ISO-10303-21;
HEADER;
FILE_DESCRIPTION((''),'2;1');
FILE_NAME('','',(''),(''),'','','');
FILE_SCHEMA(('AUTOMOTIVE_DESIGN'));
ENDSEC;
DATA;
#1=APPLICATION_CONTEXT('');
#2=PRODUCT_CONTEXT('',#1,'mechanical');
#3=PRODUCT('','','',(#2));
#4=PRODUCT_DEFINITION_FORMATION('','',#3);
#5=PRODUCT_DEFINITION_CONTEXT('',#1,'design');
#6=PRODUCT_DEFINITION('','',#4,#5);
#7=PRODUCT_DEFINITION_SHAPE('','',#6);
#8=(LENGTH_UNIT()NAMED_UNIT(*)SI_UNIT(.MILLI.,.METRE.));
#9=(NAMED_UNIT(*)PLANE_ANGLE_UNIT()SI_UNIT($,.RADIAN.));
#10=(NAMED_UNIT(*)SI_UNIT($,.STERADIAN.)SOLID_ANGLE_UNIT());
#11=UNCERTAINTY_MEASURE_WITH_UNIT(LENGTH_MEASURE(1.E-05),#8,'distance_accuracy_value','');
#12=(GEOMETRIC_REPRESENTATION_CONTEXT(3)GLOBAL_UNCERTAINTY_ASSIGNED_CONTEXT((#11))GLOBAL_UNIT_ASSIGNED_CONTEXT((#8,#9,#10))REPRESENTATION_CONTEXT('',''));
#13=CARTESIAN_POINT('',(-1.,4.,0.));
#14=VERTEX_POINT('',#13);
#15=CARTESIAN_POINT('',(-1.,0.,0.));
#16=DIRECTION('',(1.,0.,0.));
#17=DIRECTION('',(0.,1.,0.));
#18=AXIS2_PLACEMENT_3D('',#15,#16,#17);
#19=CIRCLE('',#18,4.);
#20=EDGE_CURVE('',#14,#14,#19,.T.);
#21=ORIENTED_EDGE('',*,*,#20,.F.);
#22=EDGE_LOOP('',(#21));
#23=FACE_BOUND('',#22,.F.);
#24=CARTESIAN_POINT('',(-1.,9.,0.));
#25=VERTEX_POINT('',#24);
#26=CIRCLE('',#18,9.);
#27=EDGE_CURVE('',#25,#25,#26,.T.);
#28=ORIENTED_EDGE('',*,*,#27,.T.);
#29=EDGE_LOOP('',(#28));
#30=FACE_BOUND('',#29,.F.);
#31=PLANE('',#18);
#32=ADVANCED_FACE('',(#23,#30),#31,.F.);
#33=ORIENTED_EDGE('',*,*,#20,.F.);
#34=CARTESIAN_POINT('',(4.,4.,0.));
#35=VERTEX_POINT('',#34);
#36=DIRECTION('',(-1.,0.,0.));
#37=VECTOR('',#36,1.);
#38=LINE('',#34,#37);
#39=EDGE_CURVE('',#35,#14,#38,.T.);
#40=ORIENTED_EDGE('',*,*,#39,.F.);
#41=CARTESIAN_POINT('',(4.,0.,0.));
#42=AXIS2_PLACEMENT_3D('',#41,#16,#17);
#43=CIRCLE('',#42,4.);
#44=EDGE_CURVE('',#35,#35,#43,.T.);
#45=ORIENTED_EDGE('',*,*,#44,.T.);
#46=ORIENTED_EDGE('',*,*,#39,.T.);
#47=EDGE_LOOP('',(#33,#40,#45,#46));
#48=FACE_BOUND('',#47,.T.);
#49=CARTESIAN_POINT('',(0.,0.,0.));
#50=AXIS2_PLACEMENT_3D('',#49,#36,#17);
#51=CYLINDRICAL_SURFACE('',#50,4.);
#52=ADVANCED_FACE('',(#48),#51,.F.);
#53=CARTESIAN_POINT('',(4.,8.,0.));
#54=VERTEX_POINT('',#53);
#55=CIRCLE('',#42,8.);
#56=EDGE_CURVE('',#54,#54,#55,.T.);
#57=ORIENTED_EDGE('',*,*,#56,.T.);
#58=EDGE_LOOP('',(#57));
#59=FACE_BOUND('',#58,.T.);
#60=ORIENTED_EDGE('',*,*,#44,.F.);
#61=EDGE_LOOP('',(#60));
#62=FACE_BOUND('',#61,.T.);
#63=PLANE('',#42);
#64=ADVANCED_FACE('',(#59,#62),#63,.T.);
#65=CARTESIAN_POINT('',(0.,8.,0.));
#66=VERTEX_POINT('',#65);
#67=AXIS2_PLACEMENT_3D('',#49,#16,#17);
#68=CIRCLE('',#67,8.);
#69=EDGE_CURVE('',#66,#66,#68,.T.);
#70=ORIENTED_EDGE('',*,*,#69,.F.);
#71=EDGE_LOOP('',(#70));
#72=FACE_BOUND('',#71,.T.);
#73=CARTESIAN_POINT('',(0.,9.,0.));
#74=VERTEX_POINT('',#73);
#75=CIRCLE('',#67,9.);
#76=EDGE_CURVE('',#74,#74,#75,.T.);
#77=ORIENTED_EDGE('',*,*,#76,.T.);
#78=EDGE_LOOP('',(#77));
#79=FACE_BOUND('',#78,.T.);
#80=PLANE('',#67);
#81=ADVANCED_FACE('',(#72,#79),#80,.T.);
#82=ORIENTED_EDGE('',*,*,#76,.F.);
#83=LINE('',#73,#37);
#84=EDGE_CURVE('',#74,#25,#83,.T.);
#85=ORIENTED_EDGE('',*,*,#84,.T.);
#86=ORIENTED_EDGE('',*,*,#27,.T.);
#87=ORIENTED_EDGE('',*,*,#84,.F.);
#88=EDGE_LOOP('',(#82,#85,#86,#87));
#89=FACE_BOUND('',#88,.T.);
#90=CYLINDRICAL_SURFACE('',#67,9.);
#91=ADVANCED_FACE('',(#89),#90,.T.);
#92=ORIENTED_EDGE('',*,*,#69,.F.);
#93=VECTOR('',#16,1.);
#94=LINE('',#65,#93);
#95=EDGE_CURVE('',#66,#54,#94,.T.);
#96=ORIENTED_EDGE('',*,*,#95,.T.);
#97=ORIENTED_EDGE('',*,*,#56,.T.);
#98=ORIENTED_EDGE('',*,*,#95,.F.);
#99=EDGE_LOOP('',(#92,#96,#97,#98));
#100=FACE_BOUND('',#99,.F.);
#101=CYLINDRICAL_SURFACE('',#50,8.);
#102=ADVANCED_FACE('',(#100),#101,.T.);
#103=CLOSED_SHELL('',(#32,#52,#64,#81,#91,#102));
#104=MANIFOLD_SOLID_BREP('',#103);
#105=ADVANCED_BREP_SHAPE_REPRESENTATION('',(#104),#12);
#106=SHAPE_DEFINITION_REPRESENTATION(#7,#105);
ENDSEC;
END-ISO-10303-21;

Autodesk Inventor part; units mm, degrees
ref_plane "YZ Plane" through (0, 0, 0) normal (1, 0, 0) x (0, 1, 0)
ref_plane "XZ Plane" through (0, 0, 0) normal (0, 1, 0) x (-1, 0, 0)
ref_plane "XY Plane" through (0, 0, 0) normal (0, 0, 1) x (1, 0, 0)
sketch "スケッチ1" plane through (0, 0, 0) normal (1, 0, 0) x (0, 1, 0)
  circle A0 centre (0, 0) radius 4
  circle A1 centre (0, 0) radius 8
  circle A2 centre (0, 0) radius 9
  dimension "d0" = 8
  dimension "d1" = 16
  dimension "d2" = 18
extrude "押し出し1" add sketch "スケッチ1" along normal blind 4 contours A1
extrude "押し出し2" add sketch "スケッチ1" against normal blind 1 contours A1 | A2
properties part number "bear_f8_16" material "アルミニウム 6061"
